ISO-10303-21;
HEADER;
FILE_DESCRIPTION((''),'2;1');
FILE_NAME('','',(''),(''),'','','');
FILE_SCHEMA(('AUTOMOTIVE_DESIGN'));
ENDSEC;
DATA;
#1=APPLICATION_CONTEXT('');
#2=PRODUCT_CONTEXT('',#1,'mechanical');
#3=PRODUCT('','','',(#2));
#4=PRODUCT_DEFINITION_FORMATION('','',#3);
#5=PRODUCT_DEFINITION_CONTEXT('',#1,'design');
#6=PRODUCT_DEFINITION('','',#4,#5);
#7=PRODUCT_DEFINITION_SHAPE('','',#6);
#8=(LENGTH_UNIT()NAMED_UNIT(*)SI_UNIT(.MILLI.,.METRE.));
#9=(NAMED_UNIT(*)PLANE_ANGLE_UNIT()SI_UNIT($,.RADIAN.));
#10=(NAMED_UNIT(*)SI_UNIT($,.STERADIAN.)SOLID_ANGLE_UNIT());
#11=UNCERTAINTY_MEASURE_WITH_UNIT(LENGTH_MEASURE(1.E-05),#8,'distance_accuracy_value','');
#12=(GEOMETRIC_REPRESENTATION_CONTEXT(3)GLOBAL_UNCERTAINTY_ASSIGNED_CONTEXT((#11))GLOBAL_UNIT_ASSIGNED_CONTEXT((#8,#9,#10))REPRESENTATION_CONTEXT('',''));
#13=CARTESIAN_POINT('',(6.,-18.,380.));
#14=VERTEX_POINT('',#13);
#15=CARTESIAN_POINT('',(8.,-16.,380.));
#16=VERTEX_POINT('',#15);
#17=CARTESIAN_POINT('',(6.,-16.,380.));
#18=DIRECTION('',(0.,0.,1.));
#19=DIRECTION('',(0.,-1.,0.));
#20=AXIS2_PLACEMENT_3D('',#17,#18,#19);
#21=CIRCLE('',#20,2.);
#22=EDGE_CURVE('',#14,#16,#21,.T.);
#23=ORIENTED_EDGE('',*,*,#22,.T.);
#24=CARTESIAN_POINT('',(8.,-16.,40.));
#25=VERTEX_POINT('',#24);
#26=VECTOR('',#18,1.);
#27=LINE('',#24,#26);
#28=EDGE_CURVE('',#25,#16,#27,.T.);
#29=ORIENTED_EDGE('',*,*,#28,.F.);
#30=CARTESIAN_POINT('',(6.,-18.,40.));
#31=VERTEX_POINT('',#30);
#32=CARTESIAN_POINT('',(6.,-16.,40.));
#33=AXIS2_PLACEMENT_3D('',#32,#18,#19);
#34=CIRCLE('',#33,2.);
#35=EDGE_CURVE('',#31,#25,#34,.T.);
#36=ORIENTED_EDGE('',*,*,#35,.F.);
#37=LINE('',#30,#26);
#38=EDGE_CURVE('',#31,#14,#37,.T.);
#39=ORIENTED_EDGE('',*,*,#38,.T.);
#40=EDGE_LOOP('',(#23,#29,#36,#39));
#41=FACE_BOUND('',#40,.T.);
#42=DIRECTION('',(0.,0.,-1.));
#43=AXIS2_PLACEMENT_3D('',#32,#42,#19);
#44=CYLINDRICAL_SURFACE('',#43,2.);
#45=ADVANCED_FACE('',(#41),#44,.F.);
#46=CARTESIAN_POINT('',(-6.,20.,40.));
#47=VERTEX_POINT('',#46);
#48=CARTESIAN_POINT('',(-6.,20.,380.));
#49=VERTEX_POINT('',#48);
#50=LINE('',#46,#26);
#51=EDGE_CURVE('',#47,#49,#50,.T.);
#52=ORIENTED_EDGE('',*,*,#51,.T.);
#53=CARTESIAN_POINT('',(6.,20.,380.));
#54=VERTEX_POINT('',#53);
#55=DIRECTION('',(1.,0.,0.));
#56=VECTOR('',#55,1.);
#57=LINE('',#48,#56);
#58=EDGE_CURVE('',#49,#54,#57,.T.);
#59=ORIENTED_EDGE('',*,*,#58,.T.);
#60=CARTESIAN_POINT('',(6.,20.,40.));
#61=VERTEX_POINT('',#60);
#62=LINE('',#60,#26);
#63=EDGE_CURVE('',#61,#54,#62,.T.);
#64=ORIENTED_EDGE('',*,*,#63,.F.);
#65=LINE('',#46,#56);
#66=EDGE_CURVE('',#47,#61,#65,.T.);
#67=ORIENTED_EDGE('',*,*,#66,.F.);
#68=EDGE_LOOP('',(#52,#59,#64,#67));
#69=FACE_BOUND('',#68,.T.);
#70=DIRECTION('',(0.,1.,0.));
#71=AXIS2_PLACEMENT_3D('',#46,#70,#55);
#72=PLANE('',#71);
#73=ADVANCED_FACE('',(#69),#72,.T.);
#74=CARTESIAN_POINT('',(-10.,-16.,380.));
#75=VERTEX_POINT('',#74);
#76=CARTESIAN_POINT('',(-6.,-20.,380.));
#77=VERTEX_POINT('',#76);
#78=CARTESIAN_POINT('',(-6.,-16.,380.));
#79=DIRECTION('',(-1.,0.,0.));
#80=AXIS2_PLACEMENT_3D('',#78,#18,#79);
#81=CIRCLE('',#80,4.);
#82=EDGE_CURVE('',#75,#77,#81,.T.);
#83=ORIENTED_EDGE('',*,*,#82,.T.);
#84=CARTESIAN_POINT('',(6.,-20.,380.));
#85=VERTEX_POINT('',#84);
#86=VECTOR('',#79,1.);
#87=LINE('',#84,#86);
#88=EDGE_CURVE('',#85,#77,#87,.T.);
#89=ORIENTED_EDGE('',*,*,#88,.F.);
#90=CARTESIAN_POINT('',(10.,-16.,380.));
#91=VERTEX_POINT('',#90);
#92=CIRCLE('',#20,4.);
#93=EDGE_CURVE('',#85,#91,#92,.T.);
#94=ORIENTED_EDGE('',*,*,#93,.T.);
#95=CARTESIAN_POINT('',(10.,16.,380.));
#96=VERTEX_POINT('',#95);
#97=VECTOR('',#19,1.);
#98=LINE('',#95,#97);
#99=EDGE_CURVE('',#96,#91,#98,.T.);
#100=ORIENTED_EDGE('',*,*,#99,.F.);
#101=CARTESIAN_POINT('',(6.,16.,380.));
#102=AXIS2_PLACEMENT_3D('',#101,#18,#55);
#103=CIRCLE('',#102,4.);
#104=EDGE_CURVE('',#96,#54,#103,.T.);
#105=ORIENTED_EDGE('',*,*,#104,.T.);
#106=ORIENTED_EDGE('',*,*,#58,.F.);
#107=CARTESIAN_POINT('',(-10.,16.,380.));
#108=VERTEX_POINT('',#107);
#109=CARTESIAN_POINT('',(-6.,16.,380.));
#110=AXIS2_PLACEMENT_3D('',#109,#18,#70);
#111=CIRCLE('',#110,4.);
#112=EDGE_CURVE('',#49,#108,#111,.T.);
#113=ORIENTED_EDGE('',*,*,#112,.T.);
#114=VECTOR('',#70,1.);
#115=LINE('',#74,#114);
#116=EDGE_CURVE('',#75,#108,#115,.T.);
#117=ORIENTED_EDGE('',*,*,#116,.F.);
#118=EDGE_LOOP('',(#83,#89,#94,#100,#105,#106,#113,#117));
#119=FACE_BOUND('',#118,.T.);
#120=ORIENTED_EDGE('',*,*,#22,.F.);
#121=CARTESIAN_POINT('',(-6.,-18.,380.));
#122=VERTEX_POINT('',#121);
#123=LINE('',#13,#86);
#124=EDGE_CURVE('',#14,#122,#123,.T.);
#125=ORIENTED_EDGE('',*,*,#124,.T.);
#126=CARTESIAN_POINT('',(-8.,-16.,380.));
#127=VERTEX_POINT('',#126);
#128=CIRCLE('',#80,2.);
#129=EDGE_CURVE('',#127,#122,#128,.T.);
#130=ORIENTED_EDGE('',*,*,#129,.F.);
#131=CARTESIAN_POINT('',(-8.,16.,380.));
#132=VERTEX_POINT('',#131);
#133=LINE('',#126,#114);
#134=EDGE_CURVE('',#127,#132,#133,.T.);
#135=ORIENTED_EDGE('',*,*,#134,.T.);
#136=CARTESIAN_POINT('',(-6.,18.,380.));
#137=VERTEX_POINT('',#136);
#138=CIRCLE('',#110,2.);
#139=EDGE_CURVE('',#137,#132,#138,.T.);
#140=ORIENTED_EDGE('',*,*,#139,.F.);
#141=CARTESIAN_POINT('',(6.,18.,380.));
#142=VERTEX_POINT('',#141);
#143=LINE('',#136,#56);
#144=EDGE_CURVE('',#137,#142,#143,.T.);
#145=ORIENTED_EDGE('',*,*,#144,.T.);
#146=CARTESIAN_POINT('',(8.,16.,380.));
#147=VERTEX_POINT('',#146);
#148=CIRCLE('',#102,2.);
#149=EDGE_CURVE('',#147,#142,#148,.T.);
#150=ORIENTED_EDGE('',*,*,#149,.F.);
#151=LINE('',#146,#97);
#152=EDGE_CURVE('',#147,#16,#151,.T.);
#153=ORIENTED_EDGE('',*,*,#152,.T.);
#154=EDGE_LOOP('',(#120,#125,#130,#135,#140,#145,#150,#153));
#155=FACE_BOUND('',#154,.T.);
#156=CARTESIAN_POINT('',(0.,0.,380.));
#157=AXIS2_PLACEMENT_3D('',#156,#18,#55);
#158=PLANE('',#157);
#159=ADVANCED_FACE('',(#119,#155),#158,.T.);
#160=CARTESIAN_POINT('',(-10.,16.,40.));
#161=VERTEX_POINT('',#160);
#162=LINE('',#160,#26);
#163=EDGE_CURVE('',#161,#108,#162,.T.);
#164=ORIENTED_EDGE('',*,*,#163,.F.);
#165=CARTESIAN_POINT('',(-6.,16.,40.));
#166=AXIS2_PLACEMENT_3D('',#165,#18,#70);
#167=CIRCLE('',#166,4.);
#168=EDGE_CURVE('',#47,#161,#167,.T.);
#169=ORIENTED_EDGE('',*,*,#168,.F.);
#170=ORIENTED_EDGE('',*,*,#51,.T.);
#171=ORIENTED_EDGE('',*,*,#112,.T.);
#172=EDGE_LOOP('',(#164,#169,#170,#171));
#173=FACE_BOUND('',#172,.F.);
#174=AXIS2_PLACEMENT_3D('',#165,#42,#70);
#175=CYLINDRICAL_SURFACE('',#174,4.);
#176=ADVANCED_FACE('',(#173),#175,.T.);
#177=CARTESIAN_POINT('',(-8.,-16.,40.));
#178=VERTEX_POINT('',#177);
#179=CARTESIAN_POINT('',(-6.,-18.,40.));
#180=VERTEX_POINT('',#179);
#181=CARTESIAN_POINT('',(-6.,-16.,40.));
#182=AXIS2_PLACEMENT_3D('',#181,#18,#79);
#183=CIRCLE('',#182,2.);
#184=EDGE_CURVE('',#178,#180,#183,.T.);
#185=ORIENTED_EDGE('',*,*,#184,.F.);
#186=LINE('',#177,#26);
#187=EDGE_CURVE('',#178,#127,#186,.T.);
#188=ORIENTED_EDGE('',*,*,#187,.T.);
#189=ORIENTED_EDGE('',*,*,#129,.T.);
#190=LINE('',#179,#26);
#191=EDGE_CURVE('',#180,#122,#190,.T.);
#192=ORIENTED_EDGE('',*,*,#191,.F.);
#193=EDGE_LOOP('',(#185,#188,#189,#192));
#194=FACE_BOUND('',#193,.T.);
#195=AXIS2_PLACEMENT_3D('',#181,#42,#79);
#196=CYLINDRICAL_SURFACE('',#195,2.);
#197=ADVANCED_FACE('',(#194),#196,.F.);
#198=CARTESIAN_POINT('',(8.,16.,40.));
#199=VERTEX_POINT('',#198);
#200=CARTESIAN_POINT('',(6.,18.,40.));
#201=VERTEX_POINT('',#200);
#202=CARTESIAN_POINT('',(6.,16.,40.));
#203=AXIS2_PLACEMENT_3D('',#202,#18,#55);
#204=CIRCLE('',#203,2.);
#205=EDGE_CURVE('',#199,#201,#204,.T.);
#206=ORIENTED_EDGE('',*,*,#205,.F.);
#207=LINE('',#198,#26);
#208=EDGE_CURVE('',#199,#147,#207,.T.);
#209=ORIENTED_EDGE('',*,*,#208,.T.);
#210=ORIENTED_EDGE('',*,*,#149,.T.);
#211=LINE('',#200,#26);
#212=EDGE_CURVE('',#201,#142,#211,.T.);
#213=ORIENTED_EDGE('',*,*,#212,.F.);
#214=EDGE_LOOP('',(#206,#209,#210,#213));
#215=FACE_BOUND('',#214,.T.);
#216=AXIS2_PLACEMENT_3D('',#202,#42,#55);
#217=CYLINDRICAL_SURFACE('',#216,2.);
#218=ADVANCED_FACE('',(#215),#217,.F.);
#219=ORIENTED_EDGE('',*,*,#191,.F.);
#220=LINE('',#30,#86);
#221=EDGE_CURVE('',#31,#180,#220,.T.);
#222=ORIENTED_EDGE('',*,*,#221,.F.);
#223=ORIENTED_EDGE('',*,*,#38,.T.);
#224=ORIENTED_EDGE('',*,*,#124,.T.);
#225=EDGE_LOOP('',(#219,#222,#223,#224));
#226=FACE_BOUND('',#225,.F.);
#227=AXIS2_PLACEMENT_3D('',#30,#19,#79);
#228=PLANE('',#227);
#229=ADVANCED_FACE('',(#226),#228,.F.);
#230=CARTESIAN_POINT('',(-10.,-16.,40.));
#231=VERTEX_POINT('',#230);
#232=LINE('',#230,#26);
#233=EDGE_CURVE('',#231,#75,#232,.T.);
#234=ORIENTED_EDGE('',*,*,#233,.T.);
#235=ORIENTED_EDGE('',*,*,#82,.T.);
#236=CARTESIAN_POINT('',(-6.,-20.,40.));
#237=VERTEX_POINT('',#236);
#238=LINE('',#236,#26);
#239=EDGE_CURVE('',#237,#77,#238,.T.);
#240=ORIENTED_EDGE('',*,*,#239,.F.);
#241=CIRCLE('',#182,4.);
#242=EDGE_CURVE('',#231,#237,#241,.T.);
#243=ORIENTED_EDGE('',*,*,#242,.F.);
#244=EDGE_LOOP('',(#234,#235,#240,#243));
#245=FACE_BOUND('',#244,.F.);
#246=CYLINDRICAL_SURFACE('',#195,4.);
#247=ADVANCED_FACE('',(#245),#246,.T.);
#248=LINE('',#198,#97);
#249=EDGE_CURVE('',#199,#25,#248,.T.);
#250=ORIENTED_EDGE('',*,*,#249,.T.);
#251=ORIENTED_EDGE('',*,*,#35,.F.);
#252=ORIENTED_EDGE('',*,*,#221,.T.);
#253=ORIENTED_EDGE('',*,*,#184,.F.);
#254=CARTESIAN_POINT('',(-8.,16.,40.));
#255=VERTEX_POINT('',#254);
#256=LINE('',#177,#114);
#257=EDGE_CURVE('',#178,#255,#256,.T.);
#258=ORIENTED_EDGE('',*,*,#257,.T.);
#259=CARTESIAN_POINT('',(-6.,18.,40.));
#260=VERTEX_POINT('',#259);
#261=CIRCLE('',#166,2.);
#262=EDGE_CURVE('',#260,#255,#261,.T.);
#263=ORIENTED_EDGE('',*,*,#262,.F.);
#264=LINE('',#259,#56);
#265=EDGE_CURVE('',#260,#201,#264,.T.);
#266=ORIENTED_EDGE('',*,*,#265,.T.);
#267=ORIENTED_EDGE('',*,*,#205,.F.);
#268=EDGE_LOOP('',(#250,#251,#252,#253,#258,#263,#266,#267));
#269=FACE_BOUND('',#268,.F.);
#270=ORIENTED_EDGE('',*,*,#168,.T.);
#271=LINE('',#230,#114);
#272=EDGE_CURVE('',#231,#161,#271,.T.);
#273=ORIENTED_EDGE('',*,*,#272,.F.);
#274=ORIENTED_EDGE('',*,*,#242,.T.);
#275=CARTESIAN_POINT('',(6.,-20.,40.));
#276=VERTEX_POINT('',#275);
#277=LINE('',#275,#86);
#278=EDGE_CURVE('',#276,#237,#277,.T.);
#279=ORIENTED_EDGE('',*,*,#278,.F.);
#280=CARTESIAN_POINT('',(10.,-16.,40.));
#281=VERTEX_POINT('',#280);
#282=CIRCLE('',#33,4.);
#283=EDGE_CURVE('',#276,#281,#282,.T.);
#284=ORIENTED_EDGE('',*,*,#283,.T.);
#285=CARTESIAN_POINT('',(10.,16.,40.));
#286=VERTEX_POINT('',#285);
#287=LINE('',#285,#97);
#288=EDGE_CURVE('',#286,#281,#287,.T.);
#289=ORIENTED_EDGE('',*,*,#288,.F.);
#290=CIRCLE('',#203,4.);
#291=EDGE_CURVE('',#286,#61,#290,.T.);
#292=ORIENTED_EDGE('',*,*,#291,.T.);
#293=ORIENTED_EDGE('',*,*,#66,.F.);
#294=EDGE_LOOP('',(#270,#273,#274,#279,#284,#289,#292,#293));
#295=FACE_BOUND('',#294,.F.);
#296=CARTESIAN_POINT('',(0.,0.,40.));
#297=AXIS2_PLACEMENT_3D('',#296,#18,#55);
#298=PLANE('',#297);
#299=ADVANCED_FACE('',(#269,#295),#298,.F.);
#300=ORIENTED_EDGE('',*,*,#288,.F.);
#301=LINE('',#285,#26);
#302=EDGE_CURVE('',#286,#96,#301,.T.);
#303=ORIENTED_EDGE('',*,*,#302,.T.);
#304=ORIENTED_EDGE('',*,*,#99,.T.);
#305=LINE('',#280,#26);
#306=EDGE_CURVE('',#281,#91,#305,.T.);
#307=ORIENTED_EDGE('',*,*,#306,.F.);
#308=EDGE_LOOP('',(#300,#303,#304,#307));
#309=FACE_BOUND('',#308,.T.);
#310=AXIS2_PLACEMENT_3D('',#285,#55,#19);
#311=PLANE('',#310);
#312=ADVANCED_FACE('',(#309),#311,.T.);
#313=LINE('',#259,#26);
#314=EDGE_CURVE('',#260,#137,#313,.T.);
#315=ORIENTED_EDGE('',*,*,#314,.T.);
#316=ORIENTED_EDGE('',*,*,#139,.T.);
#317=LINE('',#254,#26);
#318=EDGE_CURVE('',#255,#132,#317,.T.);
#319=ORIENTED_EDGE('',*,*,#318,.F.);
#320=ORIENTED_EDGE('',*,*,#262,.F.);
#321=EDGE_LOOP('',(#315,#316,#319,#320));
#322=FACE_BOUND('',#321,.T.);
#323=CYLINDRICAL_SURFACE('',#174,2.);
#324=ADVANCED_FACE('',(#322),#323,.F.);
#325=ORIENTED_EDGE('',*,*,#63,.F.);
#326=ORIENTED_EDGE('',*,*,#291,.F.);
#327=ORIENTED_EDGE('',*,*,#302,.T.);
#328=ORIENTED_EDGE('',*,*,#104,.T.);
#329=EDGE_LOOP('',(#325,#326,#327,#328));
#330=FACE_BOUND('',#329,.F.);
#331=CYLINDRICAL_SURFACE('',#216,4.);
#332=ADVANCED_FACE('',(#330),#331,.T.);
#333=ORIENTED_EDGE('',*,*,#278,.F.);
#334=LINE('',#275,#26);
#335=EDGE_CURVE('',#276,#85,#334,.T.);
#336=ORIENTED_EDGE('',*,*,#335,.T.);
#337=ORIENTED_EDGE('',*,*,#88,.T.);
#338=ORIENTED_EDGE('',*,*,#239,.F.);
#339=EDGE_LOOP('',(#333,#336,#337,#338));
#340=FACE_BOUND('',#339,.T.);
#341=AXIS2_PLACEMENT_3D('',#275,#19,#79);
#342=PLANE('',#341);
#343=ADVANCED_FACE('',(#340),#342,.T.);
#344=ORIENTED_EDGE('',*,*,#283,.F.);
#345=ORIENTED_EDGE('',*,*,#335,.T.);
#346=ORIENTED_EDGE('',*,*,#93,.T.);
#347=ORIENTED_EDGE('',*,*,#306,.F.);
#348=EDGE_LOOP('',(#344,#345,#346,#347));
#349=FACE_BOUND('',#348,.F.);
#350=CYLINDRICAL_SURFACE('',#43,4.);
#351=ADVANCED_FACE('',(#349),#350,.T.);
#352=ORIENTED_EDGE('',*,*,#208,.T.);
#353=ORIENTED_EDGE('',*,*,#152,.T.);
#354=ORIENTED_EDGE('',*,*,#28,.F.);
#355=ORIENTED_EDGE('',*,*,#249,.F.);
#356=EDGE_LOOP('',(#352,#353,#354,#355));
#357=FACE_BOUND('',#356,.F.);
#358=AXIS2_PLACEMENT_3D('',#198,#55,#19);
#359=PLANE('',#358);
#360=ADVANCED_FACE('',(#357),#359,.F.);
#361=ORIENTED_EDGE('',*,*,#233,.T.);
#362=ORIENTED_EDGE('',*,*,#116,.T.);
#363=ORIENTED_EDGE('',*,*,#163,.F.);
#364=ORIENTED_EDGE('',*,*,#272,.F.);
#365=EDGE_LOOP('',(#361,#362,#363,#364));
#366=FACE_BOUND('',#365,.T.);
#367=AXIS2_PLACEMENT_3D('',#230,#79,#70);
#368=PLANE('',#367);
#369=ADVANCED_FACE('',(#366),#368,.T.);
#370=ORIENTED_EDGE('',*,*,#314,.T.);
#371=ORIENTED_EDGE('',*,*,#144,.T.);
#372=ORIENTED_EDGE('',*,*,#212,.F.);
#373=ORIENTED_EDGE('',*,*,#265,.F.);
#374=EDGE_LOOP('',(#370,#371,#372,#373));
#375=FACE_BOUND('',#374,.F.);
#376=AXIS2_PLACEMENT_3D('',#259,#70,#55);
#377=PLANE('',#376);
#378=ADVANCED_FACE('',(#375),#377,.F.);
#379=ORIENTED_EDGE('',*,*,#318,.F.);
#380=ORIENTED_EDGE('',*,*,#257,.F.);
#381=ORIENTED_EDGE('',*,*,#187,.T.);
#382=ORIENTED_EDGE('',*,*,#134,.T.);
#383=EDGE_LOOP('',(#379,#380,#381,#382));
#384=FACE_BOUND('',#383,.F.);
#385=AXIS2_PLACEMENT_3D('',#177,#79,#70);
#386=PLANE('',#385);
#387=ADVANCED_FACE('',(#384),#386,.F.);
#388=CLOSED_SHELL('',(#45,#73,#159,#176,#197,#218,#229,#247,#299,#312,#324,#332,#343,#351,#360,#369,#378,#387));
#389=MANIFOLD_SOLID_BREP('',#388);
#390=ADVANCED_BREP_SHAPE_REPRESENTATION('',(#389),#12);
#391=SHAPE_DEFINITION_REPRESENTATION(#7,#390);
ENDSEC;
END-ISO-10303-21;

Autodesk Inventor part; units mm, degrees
ref_plane "YZ Plane" through (0, 0, 0) normal (1, 0, 0) x (0, 1, 0)
ref_plane "Start Plane" through (0, 0, 40) normal (0, 0, 1) x (1, 0, 0)
ref_plane "End Plane" through (0, 0, 380) normal (0, 0, 1) x (1, 0, 0)
sketch "Sketch" plane through (0, 0, 0) normal (0, 0, 1) x (1, 0, 0)
  line L0 (-10, -16) -> (-10, 16)
  line L1 (-6, 20) -> (6, 20)
  line L2 (10, 16) -> (10, -16)
  line L3 (6, -20) -> (-6, -20)
  arc A0 (-10, -16) -> (-6, -20) centre (-6, -16) ccw
  arc A1 (10, 16) -> (6, 20) centre (6, 16) ccw
  arc A2 (-6, 20) -> (-10, 16) centre (-6, 16) ccw
  arc A3 (6, -20) -> (10, -16) centre (6, -16) ccw
  arc A4 (-6, 18) -> (-8, 16) centre (-6, 16) ccw
  line L4 (-6, 18) -> (6, 18)
  arc A5 (8, 16) -> (6, 18) centre (6, 16) ccw
  line L5 (8, 16) -> (8, -16)
  arc A6 (6, -18) -> (8, -16) centre (6, -16) ccw
  line L6 (6, -18) -> (-6, -18)
  arc A7 (-8, -16) -> (-6, -18) centre (-6, -16) ccw
  line L7 (-8, -16) -> (-8, 16)
  line L8 (0, 29.1598) -> (0, -29.1598) construction
  line L9 (-15.1598, 0) -> (15.1598, 0) construction
  dimension "d7" = 4
  dimension "d9" = 20
  dimension "d11" = 40
  dimension "d12" = 2
  dimension "d15" = 10
  dimension "d16" = 20
extrude "Body" add sketch "Sketch" along normal up to surface (340 mm away) from surface at 40
sketch "Sketch3" plane through (0, 0, 0) normal (0, 0, 1) x (1, 0, 0)
  line L0 (0, 0) -> (10, 0)
ref_plane "Work Plane3" through (0, 0, 0) normal (0, -1, 0) x (1, 0, 0)
sketch "Sketch4" plane through (0, 0, 0) normal (0, -1, 0) x (1, 0, 0)
  line L0 (-2, 40) -> (12, 40) projected
  line L1 (-2, 380) -> (12, 380) projected
  dimension "d18" = 340
equation "\"d7\" = G_IR"
equation "\"d9\" = G_W"
equation "\"d11\" = G_H"
equation "\"d12\" = G_T"
equation "\"d15\" = 0.5 * d9"
equation "\"d16\" = 0.5 * d11"
equation "\"d3\" = G_L"
equation "\"G_W\" = 20"
equation "\"G_H\" = 40"
equation "\"G_T\" = 2"
equation "\"G_IR\" = 4"
equation "\"G_L\" = d18"
properties part number "ISO 4019 - 40x20x2 - 340" material "Steel, Mild"
